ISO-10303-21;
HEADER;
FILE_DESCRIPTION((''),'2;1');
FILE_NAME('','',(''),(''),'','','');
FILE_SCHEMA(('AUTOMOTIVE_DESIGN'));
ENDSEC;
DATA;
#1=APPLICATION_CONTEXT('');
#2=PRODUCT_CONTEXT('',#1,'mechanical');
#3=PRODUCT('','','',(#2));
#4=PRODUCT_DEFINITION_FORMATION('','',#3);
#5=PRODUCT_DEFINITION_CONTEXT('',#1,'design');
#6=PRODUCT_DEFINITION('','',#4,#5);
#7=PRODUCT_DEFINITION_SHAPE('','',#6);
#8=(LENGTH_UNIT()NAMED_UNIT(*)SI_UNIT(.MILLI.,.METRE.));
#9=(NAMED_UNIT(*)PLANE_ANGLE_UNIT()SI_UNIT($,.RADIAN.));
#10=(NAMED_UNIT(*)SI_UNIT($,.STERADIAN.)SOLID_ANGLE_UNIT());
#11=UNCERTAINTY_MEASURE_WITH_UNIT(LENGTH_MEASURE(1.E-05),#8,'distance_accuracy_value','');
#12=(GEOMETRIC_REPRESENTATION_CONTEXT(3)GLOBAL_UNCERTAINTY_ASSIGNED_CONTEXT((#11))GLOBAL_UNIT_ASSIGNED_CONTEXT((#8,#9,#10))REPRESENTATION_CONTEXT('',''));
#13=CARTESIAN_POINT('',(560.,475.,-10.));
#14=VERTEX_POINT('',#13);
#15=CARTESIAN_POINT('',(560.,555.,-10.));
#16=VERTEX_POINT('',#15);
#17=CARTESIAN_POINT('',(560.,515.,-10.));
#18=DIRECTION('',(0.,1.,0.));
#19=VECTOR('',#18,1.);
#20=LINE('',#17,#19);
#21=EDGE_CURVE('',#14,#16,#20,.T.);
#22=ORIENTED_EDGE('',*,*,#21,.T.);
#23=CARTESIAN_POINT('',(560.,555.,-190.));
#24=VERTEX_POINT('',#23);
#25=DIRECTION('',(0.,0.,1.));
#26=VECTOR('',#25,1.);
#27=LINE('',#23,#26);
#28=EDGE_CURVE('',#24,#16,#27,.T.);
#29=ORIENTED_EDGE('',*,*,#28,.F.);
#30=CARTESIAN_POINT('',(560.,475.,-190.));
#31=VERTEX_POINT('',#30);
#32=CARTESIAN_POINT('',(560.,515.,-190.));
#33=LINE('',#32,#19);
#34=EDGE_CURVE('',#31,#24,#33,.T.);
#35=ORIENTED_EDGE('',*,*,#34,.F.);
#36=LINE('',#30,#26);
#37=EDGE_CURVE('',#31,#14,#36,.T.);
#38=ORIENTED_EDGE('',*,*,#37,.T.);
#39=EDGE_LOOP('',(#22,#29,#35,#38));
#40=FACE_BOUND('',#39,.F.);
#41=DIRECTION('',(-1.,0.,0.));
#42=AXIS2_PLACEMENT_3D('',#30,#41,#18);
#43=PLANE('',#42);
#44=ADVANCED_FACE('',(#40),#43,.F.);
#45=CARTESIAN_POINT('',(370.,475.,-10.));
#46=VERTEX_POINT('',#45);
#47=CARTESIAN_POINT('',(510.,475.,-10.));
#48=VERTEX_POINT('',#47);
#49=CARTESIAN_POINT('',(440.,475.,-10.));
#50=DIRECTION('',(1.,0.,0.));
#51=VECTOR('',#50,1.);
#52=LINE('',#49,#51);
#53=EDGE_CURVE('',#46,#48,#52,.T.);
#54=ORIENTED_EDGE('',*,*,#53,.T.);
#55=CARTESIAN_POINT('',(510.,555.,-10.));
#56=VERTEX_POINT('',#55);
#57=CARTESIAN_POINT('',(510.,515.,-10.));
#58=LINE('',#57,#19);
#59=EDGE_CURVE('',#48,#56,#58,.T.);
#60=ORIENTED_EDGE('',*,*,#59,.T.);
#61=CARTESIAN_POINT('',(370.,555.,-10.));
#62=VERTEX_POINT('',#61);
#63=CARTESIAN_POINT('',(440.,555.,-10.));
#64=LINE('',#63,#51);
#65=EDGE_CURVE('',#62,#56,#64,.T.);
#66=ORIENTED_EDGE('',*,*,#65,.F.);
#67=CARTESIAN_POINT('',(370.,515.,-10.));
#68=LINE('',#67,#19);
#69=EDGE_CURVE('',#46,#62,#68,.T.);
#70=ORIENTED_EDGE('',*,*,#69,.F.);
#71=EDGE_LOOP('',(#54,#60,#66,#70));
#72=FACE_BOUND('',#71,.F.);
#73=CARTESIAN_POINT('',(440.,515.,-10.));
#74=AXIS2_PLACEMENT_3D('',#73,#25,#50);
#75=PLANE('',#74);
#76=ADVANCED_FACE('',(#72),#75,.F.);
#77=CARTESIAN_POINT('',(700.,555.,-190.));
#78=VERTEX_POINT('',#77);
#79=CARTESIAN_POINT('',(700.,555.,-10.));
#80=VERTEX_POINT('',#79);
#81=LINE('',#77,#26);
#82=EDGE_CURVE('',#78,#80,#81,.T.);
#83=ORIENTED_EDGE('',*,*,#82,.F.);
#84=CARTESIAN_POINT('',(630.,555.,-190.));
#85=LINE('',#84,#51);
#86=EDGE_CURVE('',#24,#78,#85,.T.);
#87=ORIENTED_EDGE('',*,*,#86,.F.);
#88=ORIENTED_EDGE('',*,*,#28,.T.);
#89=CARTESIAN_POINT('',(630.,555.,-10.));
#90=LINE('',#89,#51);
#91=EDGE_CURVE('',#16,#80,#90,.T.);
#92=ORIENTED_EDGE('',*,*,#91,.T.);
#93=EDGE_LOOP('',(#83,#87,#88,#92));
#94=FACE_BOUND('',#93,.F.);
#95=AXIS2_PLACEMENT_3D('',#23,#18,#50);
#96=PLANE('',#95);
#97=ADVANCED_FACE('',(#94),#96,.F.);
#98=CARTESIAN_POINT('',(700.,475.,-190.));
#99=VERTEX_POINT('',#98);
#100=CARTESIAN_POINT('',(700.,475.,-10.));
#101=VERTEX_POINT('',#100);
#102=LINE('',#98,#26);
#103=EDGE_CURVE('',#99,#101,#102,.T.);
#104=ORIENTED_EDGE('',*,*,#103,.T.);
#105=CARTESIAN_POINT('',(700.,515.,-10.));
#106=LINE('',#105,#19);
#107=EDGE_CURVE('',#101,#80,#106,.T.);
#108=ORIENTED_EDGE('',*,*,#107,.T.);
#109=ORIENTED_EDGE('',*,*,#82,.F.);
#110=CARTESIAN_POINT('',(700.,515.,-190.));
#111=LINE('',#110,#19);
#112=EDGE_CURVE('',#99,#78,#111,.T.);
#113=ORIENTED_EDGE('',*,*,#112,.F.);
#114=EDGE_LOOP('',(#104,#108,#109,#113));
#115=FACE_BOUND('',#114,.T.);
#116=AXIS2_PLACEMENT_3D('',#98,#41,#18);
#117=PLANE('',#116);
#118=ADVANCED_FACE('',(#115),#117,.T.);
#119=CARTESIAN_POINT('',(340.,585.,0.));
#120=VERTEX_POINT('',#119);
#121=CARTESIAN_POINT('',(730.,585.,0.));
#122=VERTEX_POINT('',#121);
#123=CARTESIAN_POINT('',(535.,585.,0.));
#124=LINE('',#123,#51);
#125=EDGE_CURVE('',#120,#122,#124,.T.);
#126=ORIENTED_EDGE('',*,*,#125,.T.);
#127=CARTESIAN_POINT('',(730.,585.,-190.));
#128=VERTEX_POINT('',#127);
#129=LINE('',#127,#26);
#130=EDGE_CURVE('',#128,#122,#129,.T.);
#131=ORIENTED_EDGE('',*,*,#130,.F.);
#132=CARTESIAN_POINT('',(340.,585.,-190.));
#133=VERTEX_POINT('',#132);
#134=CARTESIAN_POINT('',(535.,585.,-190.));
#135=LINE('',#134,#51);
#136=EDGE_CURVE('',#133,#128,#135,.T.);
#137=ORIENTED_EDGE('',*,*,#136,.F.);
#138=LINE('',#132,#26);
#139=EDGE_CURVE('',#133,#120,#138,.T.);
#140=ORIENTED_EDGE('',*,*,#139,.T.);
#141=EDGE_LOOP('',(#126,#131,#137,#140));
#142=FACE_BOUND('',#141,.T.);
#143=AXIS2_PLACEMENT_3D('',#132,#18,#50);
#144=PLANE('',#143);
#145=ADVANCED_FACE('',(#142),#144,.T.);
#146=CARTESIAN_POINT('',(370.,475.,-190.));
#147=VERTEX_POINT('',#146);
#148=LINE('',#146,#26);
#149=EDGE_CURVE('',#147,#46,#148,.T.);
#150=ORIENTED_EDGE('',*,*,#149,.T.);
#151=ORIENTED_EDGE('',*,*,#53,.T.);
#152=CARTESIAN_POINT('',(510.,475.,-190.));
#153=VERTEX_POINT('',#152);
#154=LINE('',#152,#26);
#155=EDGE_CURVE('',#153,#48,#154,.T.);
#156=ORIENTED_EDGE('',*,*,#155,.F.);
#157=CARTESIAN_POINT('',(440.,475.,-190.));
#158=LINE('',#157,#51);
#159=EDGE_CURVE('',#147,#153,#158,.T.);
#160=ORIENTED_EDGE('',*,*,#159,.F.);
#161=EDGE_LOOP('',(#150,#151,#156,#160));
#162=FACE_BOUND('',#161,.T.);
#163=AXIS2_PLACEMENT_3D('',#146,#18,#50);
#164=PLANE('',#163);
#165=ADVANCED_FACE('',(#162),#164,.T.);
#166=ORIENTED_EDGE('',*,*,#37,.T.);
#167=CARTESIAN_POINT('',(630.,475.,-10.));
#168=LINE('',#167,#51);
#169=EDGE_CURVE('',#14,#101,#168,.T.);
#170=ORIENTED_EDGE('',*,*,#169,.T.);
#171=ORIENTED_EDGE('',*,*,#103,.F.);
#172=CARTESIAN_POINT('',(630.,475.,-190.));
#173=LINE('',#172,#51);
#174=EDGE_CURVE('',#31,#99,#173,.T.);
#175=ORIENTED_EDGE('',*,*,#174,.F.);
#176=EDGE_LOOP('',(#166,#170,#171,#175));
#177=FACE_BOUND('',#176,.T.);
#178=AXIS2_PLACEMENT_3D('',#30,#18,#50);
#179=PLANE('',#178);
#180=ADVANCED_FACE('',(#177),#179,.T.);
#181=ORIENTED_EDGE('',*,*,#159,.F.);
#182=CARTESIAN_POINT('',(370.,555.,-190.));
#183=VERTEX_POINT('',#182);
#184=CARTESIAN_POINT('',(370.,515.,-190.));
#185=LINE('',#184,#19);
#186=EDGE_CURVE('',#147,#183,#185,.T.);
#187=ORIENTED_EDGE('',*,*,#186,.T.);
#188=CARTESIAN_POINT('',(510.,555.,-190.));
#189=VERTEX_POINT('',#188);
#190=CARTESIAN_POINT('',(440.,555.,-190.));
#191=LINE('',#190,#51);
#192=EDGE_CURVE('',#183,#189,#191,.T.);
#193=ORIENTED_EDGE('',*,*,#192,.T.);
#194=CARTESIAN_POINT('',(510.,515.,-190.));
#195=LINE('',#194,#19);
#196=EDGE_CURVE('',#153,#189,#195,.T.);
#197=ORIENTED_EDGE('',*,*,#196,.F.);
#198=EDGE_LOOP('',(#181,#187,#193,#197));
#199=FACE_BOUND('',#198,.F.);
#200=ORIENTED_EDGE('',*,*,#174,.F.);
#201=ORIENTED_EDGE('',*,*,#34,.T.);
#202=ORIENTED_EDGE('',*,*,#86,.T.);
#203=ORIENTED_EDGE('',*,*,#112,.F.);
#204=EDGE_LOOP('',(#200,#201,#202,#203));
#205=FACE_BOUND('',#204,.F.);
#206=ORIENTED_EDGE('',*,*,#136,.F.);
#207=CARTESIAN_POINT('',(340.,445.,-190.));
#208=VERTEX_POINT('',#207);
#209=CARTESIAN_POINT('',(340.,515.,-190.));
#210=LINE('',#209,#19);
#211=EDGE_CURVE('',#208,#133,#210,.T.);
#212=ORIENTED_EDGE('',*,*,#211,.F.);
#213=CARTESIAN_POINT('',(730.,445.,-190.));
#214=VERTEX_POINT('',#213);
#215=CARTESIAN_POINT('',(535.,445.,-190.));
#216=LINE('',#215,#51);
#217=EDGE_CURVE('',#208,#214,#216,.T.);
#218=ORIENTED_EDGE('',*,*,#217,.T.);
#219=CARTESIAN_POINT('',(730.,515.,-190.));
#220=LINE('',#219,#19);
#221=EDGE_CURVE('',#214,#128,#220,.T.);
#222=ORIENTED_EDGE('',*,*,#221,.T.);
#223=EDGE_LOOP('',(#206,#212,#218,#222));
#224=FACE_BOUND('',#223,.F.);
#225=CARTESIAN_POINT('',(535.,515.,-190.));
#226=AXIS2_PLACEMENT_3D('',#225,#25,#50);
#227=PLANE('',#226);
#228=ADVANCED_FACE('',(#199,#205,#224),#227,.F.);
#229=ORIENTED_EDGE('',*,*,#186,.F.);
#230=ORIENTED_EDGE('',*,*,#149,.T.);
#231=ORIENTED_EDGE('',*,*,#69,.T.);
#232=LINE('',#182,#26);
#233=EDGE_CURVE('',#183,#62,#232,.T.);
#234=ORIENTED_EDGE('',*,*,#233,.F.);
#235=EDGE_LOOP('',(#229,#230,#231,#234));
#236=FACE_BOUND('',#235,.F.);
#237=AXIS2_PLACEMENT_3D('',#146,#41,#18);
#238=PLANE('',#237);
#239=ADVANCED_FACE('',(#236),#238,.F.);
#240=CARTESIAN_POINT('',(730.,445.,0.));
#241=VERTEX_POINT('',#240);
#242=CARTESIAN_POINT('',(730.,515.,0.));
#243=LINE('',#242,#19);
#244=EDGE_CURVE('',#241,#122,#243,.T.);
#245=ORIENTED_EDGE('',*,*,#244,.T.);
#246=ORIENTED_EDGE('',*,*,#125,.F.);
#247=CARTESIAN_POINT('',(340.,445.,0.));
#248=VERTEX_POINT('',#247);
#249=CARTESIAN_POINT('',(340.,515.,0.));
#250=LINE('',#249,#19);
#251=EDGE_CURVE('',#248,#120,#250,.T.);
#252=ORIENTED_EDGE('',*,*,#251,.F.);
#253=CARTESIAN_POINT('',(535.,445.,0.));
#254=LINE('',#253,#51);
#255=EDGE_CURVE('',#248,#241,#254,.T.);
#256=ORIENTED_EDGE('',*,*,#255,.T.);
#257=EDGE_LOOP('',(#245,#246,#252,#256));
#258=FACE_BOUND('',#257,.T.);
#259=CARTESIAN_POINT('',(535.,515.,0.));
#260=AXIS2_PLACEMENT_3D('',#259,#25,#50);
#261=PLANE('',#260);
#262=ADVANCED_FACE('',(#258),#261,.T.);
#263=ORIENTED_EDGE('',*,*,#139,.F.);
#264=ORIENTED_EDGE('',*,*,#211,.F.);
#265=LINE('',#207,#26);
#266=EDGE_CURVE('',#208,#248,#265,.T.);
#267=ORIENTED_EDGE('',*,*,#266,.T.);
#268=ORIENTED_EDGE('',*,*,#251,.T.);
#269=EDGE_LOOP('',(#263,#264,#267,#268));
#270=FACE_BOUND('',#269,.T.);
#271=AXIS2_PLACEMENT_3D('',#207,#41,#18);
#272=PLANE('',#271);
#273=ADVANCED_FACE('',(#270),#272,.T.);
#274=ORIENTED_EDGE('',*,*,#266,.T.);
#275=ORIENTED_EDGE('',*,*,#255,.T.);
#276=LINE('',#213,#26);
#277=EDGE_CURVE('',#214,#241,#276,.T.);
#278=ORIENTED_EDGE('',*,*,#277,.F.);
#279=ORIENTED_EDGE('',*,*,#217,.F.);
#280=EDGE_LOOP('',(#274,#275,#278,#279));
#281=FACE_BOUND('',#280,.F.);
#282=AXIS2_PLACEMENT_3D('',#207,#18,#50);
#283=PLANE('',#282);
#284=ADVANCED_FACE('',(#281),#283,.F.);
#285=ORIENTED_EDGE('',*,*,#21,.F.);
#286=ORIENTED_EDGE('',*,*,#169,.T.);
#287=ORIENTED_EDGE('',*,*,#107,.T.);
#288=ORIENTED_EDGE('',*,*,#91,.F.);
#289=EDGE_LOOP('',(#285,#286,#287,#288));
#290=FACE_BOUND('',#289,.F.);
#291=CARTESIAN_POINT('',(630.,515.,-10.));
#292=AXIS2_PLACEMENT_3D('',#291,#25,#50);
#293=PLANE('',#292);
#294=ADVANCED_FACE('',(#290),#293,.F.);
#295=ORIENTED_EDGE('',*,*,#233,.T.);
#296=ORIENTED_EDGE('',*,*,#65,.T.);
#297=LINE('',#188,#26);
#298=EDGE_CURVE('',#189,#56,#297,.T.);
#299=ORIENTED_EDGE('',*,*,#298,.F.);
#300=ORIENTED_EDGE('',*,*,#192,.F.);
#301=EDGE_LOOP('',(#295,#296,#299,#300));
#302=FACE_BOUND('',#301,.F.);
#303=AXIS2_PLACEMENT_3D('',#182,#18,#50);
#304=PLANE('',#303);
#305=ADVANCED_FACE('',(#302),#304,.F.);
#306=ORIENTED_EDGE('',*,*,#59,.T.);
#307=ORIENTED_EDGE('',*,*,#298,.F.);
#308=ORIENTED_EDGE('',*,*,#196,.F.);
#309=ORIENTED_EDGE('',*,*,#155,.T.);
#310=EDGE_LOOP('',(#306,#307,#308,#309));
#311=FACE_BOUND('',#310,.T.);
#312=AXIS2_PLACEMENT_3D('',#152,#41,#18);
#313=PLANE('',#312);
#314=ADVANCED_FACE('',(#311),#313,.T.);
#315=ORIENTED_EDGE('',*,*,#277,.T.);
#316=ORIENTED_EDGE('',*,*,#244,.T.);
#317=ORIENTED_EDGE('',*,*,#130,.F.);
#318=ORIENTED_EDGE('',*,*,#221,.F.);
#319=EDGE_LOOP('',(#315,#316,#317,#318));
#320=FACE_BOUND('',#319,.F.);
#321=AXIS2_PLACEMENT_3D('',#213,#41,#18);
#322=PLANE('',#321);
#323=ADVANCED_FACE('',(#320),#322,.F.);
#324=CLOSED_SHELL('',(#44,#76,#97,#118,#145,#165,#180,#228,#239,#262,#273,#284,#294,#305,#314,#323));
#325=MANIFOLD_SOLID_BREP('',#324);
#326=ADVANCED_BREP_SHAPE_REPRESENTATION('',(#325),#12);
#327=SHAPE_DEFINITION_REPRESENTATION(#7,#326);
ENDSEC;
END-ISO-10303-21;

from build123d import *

# Parameters (mm, degrees)
BOX105_W     = 140
BOX105_H     = 80
BOX105_DEPTH = 180
BOX104_W     = 140
BOX104_H     = 80
BOX104_DEPTH = 180
BOX106_W     = 390
BOX106_H     = 140
BOX106_DEPTH = 190


with BuildPart() as cube077:
    # Box105 → Box105 (new body)
    with BuildSketch(Plane(origin=(220, 30, 0), x_dir=(1, 0, 0), z_dir=(0, 0, 1))):
        with Locations((70, 40)):
            Rectangle(BOX105_W, BOX105_H)
    extrude(amount=BOX105_DEPTH)


with BuildPart() as fusion018:
    # Box104 → Box104 (new body)
    with BuildSketch(Plane(origin=(30, 30, 0), x_dir=(1, 0, 0), z_dir=(0, 0, 1))):
        with Locations((70, 40)):
            Rectangle(BOX104_W, BOX104_H)
    extrude(amount=BOX104_DEPTH)

    # Fusion018: union Cube077
    add(cube077.part)


with BuildPart() as cut013:
    # Box106 → Box106 (new body)
    with BuildSketch(Plane.XY):
        with Locations((195, 70)):
            Rectangle(BOX106_W, BOX106_H)
    extrude(amount=BOX106_DEPTH)

    # Cut013: cut Fusion018
    add(fusion018.part, mode=Mode.SUBTRACT)


with BuildPart() as cut013_1:
    # Cut013 placement: moved
    add(cut013.part.moved(Location((340, 445, -190))))


solid = cut013_1.part
